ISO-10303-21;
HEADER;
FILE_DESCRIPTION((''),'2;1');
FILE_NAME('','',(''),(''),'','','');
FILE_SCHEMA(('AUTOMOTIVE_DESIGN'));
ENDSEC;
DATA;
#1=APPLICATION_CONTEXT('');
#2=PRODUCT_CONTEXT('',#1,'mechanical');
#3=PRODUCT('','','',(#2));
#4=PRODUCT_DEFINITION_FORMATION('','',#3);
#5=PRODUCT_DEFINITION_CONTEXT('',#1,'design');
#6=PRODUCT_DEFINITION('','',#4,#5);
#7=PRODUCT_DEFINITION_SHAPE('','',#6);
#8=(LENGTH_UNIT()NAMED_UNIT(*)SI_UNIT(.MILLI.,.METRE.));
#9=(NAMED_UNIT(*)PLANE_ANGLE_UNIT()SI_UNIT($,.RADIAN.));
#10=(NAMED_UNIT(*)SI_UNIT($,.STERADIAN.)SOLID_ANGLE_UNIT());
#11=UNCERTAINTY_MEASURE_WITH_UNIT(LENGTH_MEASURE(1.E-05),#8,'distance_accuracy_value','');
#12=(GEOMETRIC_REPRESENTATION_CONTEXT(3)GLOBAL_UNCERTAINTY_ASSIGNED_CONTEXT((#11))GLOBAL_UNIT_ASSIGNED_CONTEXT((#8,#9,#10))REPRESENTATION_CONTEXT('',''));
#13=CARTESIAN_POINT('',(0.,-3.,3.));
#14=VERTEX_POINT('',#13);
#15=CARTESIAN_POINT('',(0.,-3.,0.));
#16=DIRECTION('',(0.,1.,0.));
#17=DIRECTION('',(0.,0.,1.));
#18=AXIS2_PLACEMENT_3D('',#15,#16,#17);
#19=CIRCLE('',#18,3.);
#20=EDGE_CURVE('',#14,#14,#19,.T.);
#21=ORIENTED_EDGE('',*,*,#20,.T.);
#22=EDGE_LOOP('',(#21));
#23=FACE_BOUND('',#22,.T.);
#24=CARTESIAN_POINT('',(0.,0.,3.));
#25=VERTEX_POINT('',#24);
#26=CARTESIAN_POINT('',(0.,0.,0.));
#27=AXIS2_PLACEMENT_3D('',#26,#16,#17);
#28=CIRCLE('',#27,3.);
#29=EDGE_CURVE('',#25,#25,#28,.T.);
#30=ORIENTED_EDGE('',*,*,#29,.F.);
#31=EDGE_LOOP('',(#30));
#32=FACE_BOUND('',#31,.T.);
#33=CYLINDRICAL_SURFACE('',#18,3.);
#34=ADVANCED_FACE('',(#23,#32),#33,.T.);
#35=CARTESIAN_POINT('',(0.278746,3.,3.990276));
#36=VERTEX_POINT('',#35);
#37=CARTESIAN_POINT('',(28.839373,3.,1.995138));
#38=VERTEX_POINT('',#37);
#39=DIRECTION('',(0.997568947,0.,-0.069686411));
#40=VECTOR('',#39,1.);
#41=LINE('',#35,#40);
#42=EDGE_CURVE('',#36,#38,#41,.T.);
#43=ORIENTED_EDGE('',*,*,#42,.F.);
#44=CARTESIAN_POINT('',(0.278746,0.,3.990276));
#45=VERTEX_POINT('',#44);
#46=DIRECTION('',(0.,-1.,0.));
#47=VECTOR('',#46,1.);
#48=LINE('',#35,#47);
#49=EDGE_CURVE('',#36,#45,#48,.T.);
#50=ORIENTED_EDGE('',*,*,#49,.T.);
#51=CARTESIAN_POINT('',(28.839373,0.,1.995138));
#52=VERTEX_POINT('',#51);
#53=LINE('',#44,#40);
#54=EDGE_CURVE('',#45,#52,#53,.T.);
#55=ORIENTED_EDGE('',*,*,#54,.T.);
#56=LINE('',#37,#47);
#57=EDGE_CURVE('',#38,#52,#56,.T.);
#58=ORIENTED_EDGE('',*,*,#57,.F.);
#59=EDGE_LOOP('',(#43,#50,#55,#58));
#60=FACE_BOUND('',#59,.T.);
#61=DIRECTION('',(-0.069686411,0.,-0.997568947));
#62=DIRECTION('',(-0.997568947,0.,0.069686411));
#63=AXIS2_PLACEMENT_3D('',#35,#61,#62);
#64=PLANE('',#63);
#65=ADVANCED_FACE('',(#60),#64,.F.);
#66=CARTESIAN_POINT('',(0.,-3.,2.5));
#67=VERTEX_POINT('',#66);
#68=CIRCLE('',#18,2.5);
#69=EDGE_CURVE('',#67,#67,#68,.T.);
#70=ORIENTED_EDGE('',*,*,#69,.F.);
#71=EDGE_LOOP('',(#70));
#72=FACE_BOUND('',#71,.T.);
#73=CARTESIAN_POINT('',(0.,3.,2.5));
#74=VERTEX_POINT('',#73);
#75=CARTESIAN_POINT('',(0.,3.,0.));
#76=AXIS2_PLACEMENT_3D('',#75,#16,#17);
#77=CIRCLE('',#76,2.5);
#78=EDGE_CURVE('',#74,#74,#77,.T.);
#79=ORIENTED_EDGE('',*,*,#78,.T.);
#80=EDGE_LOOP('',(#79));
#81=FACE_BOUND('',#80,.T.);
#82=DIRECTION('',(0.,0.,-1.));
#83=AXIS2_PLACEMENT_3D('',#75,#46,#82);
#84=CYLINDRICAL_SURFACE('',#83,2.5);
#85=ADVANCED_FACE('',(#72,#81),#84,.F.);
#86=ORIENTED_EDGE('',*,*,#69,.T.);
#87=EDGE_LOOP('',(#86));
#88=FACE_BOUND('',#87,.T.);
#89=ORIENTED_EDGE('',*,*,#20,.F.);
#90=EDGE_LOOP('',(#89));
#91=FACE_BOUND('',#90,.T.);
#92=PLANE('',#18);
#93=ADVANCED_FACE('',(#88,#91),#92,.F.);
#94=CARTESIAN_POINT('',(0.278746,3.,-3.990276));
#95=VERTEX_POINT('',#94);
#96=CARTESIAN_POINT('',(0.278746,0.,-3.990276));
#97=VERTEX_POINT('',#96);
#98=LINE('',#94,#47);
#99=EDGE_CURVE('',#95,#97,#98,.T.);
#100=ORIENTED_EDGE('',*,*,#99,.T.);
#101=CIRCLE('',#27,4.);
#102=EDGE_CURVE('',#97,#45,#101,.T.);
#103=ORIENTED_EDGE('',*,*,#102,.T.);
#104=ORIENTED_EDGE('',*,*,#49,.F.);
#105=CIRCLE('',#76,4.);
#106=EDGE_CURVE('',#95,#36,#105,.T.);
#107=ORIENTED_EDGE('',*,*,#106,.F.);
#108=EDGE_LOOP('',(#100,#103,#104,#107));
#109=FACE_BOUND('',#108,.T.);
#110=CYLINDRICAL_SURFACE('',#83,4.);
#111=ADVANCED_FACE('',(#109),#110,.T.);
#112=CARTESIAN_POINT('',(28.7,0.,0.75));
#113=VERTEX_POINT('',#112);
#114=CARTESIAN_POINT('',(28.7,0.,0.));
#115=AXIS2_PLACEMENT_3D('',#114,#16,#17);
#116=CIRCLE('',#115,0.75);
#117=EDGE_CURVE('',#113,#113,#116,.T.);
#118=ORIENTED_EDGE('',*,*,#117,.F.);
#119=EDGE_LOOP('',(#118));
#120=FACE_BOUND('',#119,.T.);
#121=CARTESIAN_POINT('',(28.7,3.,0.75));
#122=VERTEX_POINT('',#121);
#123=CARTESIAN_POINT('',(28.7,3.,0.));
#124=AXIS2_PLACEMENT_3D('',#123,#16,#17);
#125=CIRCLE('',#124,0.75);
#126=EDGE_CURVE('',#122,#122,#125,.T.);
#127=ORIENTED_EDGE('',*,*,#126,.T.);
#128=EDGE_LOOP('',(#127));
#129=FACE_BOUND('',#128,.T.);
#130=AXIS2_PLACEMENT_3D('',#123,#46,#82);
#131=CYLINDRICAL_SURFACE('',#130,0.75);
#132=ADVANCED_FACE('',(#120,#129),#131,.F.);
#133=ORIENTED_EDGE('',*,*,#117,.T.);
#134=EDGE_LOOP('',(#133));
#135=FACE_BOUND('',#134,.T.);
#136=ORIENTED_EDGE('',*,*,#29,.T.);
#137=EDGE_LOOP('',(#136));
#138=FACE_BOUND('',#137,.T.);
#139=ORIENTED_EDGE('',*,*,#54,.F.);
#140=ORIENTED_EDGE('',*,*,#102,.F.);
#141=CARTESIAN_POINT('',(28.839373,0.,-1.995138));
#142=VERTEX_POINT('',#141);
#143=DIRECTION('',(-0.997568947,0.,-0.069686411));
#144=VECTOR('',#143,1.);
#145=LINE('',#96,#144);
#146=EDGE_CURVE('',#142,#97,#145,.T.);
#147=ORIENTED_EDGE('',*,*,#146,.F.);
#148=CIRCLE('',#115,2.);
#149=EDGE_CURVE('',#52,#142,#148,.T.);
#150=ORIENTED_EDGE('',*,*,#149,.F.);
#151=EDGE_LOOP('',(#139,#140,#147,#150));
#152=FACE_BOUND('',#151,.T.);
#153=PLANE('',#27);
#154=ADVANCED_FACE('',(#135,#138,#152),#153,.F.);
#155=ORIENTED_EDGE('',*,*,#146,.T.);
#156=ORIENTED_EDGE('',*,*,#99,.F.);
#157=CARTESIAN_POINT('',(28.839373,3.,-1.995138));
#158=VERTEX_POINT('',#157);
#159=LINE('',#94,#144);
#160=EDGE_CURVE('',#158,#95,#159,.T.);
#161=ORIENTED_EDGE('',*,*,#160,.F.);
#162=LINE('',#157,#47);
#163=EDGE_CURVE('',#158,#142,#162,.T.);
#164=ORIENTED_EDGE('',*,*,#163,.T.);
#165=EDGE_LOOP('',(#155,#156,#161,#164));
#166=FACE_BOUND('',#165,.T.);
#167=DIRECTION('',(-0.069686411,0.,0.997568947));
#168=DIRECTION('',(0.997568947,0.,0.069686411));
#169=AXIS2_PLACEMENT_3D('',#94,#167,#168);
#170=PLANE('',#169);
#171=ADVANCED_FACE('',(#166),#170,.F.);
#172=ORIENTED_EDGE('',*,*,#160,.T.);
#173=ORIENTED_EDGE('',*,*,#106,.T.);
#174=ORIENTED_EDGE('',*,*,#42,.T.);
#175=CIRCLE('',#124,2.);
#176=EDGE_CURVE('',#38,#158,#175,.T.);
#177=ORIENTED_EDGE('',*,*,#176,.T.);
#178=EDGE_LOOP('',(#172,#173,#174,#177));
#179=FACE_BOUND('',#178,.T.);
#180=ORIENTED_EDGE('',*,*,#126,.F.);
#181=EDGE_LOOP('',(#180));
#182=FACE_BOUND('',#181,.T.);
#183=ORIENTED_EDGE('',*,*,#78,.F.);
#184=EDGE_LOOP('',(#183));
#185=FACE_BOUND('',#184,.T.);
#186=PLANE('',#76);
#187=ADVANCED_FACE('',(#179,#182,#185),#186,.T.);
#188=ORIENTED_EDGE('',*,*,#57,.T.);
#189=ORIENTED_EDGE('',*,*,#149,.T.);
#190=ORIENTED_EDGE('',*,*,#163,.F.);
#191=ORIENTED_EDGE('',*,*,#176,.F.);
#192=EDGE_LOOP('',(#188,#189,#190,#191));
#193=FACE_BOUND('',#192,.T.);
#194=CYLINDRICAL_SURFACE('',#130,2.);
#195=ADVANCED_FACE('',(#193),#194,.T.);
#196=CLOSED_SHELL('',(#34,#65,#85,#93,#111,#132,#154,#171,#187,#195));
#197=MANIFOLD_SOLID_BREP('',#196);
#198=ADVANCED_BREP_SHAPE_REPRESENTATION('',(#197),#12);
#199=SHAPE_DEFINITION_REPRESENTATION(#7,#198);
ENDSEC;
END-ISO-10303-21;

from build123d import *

# Parameters (mm, degrees)
SKETCH1_R           = 2.5
SKETCH1_R_2         = 0.75
BOSS_EXTRUDE1_DEPTH = 3
BOSS_EXTRUDE2_START = -6
SKETCH2_R           = 3
SKETCH2_R_2         = 2.5
BOSS_EXTRUDE2_DEPTH = 3


with BuildPart() as part:
    # Sketch1 → Boss-Extrude1 (new body)
    with BuildSketch(Plane(origin=(0, 0, 0), x_dir=(1, 0, 0), z_dir=(0, 1, 0))):
        with BuildLine():
            Line((0.278745645, 3.990275788), (28.839372822, 1.995137894))
            ThreePointArc((28.839372822, 1.995137894), (30.7, 0), (28.839372822, -1.995137894))
            Line((28.839372822, -1.995137894), (0.278745645, -3.990275788))
            ThreePointArc((0.278745645, -3.990275788), (-4, 0), (0.278745645, 3.990275788))
        make_face()
        with Locations(Location((0, 0, 0), (0, 0, 270))):
            Circle(SKETCH1_R, mode=Mode.SUBTRACT)
        with Locations(Location((28.7, 0, 0), (0, 0, 270))):
            Circle(SKETCH1_R_2, mode=Mode.SUBTRACT)
    extrude(amount=BOSS_EXTRUDE1_DEPTH)

    # Sketch2 → Boss-Extrude2 (add)
    with BuildSketch(Plane(origin=(0, 3, 0), x_dir=(1, 0, 0), z_dir=(0, 1, 0)).offset(BOSS_EXTRUDE2_START)):
        with Locations(Location((0, 0, 0), (0, 0, 270))):
            Circle(SKETCH2_R)
        with Locations(Location((0, 0, 0), (0, 0, 270))):
            Circle(SKETCH2_R_2, mode=Mode.SUBTRACT)
    extrude(amount=BOSS_EXTRUDE2_DEPTH)


solid = part.part
